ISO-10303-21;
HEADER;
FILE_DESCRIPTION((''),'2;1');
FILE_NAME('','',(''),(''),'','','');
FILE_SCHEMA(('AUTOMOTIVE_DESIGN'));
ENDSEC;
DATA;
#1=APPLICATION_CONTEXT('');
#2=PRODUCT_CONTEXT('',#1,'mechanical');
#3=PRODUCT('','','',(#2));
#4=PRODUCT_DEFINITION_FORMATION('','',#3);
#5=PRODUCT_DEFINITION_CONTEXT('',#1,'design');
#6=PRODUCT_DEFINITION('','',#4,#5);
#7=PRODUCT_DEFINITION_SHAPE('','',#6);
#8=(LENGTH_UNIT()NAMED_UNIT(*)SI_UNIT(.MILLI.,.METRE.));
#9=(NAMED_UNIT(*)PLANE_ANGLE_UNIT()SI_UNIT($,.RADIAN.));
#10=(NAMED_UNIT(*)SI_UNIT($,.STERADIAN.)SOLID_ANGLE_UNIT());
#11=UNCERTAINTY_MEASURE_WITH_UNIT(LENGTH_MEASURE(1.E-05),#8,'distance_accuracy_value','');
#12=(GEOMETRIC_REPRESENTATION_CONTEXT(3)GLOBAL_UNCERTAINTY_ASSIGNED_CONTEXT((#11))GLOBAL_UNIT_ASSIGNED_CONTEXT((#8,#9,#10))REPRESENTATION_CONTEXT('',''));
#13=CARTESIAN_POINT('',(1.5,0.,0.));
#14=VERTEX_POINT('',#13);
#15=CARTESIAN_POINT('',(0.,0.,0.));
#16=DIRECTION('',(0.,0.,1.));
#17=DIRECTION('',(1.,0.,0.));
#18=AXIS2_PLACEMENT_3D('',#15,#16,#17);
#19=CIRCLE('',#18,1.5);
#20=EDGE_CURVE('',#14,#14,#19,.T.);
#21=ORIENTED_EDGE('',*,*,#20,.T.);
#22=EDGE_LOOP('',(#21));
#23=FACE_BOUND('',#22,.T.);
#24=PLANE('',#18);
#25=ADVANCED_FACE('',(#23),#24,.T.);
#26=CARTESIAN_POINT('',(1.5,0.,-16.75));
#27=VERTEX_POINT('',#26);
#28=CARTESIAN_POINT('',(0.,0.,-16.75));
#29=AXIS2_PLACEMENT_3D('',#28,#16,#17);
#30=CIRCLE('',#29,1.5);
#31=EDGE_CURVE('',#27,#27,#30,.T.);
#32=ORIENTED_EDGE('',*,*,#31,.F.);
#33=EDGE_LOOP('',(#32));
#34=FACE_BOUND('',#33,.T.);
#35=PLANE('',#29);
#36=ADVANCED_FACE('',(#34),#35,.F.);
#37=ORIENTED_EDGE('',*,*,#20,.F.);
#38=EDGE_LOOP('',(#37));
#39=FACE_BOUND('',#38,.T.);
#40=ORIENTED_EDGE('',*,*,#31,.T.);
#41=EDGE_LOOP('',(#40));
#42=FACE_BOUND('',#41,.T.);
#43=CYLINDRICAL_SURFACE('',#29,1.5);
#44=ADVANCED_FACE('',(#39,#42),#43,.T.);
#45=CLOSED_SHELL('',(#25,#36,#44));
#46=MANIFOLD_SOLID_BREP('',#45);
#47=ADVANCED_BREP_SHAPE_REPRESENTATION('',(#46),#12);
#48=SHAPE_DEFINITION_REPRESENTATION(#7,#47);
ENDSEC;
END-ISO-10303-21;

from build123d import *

# Parameters (mm, degrees)
MAIN_BODY_SKETCH_R      = 1.5
MAIN_BODY_EXTRUDE_DEPTH = 16.75


with BuildPart() as part:
    # Main Body Sketch → Main Body Extrude (new body)
    with BuildSketch(Plane.XY):
        Circle(MAIN_BODY_SKETCH_R)
    extrude(amount=-MAIN_BODY_EXTRUDE_DEPTH)


solid = part.part
